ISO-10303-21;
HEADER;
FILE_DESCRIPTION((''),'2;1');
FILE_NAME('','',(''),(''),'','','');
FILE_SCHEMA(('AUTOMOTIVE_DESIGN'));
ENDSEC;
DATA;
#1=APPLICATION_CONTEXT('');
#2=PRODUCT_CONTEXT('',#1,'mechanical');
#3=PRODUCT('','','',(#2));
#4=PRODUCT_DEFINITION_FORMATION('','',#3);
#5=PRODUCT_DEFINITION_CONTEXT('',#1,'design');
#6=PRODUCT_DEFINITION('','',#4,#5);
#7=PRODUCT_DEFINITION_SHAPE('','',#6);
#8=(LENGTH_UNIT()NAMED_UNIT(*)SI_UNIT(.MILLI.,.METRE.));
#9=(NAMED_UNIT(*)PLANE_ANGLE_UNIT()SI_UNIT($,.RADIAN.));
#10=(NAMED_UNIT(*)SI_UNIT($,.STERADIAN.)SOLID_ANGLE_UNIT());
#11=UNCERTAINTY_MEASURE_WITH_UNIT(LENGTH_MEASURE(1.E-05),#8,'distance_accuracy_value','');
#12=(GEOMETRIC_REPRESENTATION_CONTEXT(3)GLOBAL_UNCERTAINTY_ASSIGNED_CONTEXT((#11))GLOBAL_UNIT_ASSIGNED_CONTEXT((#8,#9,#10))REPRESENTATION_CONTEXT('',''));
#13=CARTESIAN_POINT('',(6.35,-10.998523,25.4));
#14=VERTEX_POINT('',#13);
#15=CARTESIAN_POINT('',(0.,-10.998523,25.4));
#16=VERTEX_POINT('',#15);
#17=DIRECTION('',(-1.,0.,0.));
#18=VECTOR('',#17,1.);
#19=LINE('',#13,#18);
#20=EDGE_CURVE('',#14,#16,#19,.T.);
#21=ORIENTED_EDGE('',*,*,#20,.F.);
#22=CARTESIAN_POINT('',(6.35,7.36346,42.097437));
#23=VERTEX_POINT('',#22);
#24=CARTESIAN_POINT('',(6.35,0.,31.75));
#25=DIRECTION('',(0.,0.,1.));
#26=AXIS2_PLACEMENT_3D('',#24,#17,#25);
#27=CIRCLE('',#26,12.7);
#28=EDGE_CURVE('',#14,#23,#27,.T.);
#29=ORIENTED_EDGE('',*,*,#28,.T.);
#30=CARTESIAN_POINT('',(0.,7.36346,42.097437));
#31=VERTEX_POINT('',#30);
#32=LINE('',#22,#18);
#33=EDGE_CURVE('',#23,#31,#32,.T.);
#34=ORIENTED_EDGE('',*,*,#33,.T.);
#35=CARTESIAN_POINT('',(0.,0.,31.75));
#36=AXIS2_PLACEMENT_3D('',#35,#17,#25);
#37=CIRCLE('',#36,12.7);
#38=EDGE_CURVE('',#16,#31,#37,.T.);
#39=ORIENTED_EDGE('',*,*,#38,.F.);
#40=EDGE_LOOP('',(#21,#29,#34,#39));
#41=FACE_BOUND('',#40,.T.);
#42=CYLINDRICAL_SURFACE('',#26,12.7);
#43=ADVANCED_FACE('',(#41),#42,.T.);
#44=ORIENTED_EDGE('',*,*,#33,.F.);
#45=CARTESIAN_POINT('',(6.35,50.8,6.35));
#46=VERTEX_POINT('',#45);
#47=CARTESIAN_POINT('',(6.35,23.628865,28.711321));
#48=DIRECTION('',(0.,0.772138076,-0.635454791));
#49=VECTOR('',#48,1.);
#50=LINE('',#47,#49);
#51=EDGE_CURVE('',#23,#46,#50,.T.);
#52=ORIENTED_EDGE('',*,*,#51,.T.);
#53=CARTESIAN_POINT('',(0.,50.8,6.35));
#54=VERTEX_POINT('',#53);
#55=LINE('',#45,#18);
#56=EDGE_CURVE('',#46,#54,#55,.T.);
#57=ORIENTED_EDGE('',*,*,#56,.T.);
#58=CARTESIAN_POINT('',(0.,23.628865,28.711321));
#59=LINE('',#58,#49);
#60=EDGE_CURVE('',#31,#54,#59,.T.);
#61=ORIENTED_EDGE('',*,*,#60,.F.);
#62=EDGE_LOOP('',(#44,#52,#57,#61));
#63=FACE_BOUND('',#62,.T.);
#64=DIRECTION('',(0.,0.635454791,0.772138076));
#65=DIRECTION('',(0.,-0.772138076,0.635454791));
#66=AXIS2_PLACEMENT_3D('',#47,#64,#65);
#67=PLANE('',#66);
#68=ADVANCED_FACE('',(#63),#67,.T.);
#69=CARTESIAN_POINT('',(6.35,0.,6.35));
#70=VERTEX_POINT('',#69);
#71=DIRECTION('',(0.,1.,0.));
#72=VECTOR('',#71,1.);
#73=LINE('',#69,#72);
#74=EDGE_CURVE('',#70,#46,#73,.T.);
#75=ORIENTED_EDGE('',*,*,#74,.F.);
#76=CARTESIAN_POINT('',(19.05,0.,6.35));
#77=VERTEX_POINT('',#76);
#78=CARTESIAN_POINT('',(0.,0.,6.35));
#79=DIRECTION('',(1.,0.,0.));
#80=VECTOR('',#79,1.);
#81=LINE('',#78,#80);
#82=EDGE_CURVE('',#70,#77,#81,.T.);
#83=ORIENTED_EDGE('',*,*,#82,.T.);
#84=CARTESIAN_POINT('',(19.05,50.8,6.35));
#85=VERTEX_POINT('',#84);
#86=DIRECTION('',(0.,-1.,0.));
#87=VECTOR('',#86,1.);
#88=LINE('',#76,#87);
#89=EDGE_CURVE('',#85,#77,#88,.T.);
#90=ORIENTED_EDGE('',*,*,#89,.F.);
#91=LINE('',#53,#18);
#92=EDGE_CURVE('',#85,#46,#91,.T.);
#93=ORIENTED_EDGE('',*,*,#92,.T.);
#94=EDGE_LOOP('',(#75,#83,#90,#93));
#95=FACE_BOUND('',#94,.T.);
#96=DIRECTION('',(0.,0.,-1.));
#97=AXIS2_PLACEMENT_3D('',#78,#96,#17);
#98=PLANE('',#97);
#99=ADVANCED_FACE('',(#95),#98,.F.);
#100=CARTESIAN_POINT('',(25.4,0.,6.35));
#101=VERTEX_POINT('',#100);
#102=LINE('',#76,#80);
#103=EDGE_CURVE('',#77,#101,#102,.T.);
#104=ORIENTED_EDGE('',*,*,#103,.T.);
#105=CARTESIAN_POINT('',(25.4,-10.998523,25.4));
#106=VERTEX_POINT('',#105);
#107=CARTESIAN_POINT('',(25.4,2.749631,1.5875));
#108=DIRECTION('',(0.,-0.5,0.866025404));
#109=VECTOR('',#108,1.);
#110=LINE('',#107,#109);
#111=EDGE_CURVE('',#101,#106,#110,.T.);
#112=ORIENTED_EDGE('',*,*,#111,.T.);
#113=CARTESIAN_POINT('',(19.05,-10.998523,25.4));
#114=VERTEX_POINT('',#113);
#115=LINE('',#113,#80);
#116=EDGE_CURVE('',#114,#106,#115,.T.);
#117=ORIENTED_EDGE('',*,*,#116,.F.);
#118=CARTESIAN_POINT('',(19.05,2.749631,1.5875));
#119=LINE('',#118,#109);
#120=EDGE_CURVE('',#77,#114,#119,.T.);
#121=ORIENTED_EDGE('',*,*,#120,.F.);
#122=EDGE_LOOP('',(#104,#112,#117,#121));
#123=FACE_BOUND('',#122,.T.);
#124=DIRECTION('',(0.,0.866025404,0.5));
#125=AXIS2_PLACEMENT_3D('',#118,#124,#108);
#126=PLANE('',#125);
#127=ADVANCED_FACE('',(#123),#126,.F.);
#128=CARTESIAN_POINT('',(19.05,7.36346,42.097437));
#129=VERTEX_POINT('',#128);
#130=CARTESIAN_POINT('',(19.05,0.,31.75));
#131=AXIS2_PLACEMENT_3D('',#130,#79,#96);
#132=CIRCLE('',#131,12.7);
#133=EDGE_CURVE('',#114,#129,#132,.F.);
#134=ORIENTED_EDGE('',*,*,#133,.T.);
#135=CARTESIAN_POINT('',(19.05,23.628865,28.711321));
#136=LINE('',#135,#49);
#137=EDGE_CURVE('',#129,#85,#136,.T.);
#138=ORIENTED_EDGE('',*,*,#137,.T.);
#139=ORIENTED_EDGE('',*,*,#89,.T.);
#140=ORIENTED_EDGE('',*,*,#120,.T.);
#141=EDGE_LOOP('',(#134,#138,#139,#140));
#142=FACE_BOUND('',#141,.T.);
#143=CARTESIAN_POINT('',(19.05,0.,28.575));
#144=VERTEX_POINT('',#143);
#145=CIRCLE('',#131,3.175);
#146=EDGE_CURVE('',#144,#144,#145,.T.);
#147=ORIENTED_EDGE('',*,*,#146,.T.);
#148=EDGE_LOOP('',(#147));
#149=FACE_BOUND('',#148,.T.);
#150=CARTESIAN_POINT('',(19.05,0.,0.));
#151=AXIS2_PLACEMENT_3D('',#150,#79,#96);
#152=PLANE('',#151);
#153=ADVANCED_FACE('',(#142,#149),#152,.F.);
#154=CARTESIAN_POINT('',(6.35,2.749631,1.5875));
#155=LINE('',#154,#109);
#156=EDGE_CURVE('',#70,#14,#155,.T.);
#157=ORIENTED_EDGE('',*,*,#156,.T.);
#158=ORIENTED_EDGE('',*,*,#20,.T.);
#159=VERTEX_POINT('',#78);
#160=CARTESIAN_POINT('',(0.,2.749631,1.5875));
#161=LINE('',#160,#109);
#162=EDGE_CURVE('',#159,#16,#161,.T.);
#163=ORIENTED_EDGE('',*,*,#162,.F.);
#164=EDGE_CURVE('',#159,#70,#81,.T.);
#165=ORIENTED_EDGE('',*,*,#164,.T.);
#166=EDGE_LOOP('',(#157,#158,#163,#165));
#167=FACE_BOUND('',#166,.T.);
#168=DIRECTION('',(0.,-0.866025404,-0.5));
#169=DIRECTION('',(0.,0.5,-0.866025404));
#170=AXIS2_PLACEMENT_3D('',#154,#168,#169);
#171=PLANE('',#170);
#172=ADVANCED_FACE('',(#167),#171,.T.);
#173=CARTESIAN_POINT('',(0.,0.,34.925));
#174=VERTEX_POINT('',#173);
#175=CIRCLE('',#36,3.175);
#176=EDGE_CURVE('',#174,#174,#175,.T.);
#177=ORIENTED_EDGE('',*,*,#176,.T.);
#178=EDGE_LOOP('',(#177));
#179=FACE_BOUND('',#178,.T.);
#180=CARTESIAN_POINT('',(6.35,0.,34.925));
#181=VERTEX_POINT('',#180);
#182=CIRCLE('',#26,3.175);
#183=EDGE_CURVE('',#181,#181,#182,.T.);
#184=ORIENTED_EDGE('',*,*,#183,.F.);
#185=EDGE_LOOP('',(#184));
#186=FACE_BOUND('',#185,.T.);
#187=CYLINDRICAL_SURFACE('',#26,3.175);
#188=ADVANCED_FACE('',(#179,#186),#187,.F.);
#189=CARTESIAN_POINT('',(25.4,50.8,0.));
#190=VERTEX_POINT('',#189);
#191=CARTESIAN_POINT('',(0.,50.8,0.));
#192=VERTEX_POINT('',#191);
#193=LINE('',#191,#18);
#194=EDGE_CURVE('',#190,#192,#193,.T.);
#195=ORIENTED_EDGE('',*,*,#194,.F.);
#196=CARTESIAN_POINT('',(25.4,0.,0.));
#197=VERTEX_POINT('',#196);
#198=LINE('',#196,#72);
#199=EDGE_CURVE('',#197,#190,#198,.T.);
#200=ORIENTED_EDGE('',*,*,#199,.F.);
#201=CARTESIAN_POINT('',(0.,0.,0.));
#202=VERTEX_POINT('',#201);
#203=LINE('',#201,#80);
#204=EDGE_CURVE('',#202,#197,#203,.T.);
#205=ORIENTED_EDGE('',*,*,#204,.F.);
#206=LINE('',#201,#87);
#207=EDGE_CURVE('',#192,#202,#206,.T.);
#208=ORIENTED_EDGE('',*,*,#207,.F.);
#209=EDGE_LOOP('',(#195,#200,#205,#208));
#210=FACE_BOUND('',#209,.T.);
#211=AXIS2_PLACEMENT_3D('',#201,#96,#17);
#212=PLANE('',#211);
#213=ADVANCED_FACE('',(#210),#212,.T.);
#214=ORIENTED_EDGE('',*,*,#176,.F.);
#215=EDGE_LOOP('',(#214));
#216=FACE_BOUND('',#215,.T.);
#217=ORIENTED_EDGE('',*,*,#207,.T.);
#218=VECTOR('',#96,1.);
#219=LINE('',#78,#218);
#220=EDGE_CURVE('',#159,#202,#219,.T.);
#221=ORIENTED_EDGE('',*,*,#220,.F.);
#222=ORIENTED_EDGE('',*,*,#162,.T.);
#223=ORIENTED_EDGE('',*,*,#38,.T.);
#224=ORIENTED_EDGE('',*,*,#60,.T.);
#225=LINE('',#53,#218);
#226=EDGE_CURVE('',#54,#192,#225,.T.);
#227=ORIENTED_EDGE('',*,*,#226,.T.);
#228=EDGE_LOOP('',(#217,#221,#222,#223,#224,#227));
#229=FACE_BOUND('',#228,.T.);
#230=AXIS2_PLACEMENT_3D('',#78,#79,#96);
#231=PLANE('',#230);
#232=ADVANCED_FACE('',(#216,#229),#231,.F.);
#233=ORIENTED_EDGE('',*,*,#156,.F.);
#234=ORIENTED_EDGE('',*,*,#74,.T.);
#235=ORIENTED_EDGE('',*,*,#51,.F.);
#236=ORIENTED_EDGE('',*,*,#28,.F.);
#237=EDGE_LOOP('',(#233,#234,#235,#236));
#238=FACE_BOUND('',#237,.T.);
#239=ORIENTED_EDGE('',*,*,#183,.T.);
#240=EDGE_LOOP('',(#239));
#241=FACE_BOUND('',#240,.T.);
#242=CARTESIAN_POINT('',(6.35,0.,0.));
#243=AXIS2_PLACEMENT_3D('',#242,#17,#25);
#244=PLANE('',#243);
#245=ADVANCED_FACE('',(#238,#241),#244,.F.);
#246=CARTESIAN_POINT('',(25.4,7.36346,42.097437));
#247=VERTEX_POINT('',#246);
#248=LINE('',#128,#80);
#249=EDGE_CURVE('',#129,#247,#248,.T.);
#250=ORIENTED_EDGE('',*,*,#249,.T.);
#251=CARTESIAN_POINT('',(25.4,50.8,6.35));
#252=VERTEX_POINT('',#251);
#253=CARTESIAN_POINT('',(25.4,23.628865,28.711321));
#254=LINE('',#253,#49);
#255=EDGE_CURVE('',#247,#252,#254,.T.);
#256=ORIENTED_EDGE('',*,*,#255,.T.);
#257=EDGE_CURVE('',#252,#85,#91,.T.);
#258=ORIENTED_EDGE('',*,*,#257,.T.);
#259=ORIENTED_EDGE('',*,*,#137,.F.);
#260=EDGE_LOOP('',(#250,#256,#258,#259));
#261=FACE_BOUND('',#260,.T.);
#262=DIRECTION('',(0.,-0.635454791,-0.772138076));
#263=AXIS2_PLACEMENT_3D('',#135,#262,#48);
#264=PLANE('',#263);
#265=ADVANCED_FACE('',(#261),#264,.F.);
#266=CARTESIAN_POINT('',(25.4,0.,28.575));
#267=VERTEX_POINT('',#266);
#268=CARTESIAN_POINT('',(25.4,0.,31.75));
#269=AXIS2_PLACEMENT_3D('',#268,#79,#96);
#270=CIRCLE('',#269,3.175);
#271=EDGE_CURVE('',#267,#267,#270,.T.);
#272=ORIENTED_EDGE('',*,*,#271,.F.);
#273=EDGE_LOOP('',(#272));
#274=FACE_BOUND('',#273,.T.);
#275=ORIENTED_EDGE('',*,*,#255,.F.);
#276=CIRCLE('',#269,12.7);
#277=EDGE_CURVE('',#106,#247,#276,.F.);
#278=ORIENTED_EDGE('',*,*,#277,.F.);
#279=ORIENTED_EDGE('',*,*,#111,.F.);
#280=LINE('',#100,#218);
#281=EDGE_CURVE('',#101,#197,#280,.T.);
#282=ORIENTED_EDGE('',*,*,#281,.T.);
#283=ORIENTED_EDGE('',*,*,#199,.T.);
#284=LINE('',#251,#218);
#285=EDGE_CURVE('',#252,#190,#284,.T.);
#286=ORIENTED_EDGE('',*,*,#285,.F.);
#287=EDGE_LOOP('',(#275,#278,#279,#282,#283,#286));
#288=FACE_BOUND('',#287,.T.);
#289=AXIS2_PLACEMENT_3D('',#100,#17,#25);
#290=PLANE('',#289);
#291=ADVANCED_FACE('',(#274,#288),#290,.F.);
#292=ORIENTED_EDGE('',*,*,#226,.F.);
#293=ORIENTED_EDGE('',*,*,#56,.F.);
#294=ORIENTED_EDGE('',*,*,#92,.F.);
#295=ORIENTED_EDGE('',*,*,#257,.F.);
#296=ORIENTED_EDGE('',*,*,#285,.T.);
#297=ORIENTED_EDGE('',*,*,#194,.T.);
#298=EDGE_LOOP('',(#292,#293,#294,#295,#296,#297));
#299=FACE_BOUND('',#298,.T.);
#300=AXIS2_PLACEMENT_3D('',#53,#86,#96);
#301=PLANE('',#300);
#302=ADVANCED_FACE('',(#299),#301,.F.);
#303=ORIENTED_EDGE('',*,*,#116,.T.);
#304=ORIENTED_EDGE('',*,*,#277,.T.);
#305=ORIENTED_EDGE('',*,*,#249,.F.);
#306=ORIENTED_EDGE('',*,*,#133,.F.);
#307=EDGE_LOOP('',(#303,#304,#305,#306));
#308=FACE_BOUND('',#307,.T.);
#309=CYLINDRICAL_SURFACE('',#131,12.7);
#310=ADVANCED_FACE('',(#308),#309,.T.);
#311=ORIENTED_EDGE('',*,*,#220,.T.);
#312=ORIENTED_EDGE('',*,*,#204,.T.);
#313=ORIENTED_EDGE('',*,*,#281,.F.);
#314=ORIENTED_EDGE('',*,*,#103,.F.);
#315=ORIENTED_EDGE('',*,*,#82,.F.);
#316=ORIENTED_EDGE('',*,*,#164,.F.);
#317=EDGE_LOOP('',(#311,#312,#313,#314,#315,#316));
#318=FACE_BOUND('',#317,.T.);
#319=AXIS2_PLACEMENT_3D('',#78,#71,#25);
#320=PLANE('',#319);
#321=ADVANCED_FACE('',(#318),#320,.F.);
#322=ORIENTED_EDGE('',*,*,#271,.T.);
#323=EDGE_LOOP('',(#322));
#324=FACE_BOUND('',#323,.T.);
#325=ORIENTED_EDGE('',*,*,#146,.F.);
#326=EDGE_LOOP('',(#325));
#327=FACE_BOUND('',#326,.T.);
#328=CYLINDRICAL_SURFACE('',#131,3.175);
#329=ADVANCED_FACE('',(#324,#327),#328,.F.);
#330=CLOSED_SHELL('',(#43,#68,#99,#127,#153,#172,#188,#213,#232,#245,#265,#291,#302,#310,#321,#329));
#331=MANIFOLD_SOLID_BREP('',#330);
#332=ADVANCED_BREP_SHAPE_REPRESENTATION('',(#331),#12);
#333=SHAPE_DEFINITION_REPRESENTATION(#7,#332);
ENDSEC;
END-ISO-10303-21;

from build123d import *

# Parameters (mm, degrees)
SKETCH1_W           = 25.4
SKETCH1_H           = 50.8
BOSS_EXTRUDE1_DEPTH = 6.35
SKETCH2_R           = 3.175
BOSS_EXTRUDE2_DEPTH = 6.35
SKETCH3_R           = 3.175
BOSS_EXTRUDE3_DEPTH = 6.35


with BuildPart() as part:
    # Sketch1 → Boss-Extrude1 (new body)
    with BuildSketch(Plane.XY):
        with Locations((12.7, 25.4)):
            Rectangle(SKETCH1_W, SKETCH1_H)
    extrude(amount=BOSS_EXTRUDE1_DEPTH)

    # Sketch2 → Boss-Extrude2 (add)
    with BuildSketch(Plane(origin=(25.4, 0, 0), x_dir=(0, 0, -1), z_dir=(1, 0, 0))):
        with BuildLine():
            Line((-6.35, 0), (-25.4, -10.998522628))
            ThreePointArc((-25.4, -10.998522628), (-41.146035344, -8.544268244), (-42.097436971, 7.363460336))
            Line((-42.097436971, 7.363460336), (-6.35, 50.8))
            Line((-6.35, 50.8), (-6.35, 0))
        make_face()
        with Locations((-31.75, 0)):
            Circle(SKETCH2_R, mode=Mode.SUBTRACT)
    extrude(amount=-BOSS_EXTRUDE2_DEPTH)

    # Sketch3 → Boss-Extrude3 (add)
    with BuildSketch(Plane.ZY):
        with BuildLine():
            Line((6.35, 0), (25.4, -10.998522628))
            ThreePointArc((25.4, -10.998522628), (41.146035344, -8.544268244), (42.097436971, 7.363460336))
            Line((42.097436971, 7.363460336), (6.35, 50.8))
            Line((6.35, 50.8), (6.35, 0))
        make_face()
        with Locations((31.75, 0)):
            Circle(SKETCH3_R, mode=Mode.SUBTRACT)
    extrude(amount=-BOSS_EXTRUDE3_DEPTH)


solid = part.part
